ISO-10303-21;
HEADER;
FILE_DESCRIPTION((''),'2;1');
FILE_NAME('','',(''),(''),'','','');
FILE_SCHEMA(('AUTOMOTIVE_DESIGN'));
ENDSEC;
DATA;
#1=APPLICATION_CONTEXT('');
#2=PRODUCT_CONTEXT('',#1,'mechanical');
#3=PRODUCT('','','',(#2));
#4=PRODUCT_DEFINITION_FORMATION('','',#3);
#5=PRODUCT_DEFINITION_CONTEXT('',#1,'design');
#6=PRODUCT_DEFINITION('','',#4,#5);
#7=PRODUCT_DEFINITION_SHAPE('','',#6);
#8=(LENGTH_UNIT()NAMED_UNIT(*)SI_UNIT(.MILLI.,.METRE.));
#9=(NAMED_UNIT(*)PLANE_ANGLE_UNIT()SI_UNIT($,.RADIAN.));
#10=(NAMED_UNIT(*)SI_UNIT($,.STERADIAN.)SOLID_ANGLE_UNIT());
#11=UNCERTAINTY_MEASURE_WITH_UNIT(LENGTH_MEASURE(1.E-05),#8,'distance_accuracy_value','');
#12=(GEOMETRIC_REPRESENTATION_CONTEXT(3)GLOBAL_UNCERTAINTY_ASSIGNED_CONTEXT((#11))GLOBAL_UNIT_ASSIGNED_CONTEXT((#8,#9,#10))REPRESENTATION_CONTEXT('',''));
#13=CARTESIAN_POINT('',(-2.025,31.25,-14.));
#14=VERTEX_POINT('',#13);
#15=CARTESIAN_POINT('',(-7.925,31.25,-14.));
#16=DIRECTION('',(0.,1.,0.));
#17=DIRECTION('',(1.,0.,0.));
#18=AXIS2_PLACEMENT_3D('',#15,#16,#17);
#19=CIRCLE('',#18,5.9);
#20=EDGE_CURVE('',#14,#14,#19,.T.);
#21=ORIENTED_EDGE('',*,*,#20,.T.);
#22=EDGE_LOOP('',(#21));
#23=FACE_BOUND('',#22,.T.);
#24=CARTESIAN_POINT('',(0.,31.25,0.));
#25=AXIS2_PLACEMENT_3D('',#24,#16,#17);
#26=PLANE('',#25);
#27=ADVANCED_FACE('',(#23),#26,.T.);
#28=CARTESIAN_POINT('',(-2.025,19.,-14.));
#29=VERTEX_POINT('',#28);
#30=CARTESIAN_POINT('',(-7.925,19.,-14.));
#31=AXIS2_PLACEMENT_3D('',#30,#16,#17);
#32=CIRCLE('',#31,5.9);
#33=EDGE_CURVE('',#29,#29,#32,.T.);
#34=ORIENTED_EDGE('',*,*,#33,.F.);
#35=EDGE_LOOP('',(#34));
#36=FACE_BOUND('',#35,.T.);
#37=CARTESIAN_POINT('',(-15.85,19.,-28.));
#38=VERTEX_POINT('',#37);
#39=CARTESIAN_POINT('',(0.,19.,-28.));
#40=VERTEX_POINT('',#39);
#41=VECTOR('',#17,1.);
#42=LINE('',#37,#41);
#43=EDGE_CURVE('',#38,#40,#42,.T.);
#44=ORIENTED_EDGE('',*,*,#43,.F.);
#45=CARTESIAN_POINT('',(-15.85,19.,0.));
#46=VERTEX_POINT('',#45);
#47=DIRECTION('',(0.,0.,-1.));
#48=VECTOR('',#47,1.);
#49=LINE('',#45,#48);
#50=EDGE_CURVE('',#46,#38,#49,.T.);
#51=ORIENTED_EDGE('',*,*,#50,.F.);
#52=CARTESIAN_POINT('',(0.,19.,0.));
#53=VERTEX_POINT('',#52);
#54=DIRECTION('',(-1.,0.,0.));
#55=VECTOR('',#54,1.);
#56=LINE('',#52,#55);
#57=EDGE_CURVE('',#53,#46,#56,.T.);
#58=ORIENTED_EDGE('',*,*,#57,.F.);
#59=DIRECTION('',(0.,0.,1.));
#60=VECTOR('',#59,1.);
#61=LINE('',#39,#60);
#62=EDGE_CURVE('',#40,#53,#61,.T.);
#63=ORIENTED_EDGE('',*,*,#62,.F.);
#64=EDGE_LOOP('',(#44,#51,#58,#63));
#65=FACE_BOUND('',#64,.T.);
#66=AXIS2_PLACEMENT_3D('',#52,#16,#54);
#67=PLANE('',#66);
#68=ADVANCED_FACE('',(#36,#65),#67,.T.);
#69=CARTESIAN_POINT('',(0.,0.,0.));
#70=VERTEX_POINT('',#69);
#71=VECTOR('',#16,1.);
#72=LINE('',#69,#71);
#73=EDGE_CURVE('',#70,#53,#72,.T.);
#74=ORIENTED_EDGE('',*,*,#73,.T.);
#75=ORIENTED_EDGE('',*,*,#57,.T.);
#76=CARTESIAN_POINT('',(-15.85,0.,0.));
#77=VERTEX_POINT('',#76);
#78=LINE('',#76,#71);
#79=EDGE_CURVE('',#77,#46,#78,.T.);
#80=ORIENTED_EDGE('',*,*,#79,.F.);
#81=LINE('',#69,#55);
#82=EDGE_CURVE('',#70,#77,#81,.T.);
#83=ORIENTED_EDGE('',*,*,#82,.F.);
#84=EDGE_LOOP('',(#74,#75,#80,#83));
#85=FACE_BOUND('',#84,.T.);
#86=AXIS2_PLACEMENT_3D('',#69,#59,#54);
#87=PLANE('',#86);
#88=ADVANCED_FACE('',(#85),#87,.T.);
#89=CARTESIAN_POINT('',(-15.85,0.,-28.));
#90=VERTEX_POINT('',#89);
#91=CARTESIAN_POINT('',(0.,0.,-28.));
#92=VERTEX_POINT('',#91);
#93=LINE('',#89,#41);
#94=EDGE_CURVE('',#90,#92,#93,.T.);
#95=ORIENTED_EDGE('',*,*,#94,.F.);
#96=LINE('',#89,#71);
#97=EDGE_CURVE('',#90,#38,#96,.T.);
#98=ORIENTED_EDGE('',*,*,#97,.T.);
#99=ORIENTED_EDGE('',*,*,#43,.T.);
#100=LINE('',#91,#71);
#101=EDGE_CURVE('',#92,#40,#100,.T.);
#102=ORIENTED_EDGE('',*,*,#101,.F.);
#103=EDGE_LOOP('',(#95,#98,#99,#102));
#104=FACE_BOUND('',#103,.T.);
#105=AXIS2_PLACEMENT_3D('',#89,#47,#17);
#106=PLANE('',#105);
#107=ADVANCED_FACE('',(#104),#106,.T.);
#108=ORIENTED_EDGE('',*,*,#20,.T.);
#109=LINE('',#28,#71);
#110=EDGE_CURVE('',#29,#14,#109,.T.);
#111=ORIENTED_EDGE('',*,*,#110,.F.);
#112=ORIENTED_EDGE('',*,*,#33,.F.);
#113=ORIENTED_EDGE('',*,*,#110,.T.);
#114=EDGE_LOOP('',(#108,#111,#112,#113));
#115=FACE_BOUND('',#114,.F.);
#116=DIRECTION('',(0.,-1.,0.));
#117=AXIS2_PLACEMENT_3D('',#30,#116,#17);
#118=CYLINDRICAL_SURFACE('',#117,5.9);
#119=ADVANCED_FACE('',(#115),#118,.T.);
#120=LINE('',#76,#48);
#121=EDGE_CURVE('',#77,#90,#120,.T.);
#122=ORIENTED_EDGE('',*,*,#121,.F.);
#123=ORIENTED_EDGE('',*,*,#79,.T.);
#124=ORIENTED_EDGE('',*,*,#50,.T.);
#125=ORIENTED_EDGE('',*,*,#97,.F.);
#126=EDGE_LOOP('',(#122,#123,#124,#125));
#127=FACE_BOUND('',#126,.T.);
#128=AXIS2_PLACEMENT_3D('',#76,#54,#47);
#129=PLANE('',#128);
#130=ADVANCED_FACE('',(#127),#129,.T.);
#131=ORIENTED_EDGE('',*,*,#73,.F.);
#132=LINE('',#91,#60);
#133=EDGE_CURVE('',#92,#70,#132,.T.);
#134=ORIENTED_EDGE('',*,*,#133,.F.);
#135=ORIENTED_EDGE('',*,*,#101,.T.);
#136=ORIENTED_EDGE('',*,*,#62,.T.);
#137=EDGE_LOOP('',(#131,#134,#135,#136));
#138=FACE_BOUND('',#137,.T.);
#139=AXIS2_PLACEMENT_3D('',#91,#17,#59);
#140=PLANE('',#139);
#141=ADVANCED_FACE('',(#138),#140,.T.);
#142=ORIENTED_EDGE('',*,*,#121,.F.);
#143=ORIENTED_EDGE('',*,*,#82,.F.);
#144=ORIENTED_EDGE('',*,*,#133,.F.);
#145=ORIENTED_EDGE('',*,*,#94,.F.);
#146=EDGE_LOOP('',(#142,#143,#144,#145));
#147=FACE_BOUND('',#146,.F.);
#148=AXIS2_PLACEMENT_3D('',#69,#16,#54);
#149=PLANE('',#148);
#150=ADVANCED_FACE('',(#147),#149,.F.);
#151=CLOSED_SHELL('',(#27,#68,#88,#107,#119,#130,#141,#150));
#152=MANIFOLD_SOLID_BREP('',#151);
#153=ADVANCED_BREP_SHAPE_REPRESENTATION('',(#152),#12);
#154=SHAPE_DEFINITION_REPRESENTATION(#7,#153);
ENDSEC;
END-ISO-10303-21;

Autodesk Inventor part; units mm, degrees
ref_plane "YZ Plane" through (0, 0, 0) normal (1, 0, 0) x (0, 1, 0)
ref_plane "XZ Plane" through (0, 0, 0) normal (0, 1, 0) x (-1, 0, 0)
ref_plane "XY Plane" through (0, 0, 0) normal (0, 0, 1) x (1, 0, 0)
sketch "Sketch1" plane through (0, 0, 0) normal (0, 1, 0) x (-1, 0, 0)
  line L0 (0, 0) -> (15.85, 0)
  line L1 (15.85, 0) -> (15.85, -28)
  line L2 (15.85, -28) -> (0, -28)
  line L3 (0, -28) -> (0, 0)
  dimension "d0" = 15.85
  dimension "d1" = 28
extrude "Extrusion1" add sketch "Sketch1" along normal blind 19
sketch "Sketch2" plane through (0, 19, 0) normal (0, 1, 0) x (1, 0, 0)
  line L0 (-15.85, 28) -> (-15.85, 0) projected
  line L1 (-15.85, 0) -> (0, 0) projected
  circle A0 centre (-7.925, 14) radius 5.9
  point P0 (-15.85, 14)
  point P1 (-7.925, 0)
  dimension "d4" = 11.8
extrude "Extrusion2" add sketch "Sketch2" along normal blind 12.25
properties part number "Toggle_Switch"
